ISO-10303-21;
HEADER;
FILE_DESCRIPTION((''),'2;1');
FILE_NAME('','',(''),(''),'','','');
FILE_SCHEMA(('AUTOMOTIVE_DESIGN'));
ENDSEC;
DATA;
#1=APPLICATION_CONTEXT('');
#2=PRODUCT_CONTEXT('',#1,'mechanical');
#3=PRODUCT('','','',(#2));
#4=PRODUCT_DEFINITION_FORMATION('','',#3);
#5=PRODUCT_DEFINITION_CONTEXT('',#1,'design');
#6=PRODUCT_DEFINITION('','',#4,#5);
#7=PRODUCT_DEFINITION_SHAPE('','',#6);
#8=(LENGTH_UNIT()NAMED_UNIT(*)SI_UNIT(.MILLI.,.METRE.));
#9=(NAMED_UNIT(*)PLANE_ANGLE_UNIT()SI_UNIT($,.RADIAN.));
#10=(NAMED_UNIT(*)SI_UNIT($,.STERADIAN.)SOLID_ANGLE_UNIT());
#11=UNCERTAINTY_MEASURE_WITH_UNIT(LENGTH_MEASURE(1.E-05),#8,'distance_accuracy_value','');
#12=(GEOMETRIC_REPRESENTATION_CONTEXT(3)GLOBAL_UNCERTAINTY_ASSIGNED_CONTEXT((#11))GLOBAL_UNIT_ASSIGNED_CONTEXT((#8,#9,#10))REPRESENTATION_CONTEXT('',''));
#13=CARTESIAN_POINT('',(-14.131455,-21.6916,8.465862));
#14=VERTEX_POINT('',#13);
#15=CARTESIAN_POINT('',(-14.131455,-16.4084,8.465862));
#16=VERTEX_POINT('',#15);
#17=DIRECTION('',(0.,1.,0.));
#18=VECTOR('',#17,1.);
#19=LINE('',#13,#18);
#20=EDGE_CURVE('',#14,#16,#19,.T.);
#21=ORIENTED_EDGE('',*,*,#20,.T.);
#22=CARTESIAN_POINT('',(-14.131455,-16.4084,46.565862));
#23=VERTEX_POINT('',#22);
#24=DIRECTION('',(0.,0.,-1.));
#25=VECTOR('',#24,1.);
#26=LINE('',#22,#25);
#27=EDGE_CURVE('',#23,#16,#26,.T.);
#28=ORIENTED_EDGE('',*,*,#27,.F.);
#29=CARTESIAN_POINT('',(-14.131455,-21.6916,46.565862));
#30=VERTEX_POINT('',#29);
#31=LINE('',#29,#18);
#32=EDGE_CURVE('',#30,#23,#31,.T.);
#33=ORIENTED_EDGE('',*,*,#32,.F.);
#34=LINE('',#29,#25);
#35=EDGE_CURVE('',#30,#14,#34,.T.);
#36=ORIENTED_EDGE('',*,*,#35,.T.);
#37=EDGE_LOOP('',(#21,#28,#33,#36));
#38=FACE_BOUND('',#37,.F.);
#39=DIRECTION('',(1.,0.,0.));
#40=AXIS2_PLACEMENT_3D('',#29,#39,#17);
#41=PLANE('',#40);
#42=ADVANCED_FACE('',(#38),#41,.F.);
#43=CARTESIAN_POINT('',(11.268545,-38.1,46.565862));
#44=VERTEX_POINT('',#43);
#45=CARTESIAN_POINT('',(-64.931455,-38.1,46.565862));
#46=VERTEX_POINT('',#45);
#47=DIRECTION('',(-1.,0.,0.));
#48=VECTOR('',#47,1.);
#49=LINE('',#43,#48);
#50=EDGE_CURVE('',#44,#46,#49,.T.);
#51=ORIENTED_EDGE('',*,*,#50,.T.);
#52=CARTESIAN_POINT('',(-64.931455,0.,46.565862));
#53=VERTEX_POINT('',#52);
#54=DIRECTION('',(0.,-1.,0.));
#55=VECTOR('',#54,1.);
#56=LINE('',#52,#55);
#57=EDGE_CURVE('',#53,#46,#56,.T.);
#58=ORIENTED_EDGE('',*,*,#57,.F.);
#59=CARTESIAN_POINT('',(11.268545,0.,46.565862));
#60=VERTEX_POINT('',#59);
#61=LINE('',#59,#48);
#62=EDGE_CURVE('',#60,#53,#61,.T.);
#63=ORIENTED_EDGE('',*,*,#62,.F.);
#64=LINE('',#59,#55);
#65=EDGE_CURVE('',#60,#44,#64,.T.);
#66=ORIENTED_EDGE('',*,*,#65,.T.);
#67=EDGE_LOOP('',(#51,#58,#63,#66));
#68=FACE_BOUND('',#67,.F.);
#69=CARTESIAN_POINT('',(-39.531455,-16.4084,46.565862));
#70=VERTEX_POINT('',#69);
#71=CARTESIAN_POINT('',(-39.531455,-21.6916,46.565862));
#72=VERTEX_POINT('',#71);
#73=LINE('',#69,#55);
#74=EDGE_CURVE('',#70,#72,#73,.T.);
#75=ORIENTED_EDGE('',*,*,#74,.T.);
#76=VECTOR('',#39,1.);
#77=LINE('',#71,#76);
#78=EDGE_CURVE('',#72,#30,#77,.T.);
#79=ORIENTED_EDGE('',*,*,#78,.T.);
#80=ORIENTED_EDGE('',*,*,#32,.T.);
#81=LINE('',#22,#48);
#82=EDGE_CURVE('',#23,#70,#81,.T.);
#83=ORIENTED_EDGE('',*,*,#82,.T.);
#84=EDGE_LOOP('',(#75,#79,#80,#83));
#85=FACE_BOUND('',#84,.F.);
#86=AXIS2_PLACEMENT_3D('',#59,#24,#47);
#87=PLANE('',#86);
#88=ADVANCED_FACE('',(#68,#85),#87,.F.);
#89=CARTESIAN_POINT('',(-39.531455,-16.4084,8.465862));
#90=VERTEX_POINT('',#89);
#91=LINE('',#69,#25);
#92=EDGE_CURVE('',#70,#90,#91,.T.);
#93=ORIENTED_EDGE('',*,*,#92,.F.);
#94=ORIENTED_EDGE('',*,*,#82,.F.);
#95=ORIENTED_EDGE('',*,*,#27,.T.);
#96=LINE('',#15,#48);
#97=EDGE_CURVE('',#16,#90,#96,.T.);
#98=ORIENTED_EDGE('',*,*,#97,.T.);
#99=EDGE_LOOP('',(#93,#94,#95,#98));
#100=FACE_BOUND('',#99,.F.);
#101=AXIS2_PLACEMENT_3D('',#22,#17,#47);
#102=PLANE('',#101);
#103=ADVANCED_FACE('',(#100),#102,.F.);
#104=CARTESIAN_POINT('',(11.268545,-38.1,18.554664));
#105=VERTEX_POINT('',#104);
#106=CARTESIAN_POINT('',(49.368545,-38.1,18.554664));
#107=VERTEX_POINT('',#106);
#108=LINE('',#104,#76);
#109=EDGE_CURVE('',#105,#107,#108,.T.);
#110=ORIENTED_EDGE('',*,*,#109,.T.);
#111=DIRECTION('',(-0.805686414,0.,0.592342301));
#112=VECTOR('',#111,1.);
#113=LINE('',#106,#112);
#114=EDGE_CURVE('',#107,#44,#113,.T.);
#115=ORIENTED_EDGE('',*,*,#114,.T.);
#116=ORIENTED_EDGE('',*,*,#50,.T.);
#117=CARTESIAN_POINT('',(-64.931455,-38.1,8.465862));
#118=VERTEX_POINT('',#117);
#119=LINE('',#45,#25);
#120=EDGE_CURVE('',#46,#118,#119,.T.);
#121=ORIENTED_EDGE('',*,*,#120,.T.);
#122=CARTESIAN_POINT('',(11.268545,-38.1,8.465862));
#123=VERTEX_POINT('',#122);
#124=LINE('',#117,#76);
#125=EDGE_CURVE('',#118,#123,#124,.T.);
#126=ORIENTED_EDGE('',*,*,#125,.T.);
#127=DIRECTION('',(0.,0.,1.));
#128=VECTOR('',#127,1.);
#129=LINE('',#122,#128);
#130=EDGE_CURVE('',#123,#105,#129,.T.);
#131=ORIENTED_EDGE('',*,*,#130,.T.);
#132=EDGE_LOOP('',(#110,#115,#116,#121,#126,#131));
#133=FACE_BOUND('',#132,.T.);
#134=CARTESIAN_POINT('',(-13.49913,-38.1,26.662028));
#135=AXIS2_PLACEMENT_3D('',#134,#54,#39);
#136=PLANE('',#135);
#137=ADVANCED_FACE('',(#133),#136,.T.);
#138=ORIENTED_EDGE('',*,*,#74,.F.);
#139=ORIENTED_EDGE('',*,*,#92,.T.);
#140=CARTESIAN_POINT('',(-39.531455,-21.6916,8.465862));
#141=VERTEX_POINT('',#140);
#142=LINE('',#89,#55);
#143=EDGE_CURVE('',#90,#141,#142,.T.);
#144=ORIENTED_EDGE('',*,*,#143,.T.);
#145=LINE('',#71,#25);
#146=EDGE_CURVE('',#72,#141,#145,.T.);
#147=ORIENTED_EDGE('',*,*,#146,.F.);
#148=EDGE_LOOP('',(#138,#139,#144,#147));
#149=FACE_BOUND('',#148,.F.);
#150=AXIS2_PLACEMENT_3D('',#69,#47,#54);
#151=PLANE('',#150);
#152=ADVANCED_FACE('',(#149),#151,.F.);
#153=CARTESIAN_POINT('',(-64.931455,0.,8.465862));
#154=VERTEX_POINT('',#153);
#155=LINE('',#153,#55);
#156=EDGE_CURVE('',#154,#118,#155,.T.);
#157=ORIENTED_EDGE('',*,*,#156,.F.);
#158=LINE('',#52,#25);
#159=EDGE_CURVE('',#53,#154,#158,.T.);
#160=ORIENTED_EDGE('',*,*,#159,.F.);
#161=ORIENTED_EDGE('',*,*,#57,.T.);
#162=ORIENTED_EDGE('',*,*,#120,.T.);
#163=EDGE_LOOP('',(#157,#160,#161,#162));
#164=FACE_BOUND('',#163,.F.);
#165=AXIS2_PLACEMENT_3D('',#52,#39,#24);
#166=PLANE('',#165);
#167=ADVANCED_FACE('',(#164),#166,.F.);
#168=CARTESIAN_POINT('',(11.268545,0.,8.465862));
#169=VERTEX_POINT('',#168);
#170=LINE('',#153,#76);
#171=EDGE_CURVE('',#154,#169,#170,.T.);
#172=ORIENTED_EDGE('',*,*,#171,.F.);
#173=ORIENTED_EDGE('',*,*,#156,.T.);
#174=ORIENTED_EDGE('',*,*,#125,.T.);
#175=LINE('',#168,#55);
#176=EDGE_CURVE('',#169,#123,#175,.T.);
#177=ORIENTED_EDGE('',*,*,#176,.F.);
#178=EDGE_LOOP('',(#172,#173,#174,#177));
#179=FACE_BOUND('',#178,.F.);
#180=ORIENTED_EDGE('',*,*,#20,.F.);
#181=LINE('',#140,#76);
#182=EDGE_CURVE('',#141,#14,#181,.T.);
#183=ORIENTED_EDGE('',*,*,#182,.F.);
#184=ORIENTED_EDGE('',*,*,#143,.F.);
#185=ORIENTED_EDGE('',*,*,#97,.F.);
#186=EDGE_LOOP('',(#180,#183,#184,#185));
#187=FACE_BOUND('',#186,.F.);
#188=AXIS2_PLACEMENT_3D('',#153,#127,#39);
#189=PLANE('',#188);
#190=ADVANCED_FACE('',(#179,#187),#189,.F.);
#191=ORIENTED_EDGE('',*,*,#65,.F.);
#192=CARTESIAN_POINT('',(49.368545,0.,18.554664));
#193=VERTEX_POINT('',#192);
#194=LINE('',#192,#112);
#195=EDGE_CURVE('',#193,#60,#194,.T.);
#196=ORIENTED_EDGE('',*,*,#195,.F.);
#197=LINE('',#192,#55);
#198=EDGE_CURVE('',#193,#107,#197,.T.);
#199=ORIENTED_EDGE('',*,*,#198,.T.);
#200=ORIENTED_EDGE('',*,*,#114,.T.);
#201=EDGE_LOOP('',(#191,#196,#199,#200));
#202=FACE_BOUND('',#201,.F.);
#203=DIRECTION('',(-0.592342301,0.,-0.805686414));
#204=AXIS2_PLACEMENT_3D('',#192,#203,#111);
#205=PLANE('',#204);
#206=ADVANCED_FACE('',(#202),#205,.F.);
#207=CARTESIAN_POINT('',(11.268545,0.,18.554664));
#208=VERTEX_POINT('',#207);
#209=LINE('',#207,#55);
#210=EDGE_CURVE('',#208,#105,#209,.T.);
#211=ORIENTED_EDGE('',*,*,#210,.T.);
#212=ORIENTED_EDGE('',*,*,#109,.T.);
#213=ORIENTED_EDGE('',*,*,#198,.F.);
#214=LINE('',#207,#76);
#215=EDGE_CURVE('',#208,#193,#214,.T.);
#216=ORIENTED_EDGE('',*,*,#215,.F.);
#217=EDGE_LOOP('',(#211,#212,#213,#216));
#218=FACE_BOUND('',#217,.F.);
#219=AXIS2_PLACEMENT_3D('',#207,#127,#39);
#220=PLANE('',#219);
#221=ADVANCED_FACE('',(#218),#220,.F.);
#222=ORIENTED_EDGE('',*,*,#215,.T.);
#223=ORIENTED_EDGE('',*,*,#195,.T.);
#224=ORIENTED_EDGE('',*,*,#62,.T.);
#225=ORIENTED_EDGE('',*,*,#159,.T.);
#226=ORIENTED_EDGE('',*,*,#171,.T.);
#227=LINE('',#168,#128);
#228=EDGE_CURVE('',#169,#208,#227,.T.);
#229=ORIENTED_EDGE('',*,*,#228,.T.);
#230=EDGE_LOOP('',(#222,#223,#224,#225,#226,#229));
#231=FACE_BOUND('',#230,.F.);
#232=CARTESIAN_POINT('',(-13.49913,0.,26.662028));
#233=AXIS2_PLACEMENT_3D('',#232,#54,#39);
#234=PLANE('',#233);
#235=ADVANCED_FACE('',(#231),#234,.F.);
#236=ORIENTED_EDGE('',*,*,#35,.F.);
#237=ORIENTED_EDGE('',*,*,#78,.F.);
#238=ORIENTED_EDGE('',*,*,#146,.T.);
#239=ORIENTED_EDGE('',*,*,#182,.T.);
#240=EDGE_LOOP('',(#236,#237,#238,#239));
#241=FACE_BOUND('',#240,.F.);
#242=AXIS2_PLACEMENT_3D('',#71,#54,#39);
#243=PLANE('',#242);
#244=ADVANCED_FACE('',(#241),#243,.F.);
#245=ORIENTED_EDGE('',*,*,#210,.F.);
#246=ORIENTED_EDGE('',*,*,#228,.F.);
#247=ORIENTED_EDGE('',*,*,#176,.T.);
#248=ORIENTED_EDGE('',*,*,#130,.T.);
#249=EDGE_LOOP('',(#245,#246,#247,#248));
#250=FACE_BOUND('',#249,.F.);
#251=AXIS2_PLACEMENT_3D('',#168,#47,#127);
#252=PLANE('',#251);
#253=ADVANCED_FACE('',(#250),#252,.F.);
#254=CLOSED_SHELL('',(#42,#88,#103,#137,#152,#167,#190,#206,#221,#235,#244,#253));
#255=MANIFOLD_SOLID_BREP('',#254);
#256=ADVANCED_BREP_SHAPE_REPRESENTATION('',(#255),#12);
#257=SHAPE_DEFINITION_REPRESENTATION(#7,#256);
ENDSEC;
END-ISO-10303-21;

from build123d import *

# Parameters (mm, degrees)
F1_DEPTH = 38.1
F3_DEPTH = 38.1


with BuildPart() as f1:
    # F0 (on Front) → F1 (new body)
    with BuildSketch(Plane.XZ):
        Polygon((-64.931455, 8.465862), (11.268545, 8.465862), (11.268545, 18.554664), (49.368545, 18.554664), (11.268545, 46.565862), (-64.931455, 46.565862), align=None)
    extrude(amount=F1_DEPTH)

    # F2 (on face) → F3 (cut)
    with BuildSketch(Plane.XY.offset(46.565862)):
        Polygon((-39.531455, -21.6916), (-26.831455, -21.6916), (-14.131455, -21.6916), (-14.131455, -16.4084), (-39.531455, -16.4084), align=None)
    extrude(amount=-F3_DEPTH, mode=Mode.SUBTRACT)


solid = f1.part
